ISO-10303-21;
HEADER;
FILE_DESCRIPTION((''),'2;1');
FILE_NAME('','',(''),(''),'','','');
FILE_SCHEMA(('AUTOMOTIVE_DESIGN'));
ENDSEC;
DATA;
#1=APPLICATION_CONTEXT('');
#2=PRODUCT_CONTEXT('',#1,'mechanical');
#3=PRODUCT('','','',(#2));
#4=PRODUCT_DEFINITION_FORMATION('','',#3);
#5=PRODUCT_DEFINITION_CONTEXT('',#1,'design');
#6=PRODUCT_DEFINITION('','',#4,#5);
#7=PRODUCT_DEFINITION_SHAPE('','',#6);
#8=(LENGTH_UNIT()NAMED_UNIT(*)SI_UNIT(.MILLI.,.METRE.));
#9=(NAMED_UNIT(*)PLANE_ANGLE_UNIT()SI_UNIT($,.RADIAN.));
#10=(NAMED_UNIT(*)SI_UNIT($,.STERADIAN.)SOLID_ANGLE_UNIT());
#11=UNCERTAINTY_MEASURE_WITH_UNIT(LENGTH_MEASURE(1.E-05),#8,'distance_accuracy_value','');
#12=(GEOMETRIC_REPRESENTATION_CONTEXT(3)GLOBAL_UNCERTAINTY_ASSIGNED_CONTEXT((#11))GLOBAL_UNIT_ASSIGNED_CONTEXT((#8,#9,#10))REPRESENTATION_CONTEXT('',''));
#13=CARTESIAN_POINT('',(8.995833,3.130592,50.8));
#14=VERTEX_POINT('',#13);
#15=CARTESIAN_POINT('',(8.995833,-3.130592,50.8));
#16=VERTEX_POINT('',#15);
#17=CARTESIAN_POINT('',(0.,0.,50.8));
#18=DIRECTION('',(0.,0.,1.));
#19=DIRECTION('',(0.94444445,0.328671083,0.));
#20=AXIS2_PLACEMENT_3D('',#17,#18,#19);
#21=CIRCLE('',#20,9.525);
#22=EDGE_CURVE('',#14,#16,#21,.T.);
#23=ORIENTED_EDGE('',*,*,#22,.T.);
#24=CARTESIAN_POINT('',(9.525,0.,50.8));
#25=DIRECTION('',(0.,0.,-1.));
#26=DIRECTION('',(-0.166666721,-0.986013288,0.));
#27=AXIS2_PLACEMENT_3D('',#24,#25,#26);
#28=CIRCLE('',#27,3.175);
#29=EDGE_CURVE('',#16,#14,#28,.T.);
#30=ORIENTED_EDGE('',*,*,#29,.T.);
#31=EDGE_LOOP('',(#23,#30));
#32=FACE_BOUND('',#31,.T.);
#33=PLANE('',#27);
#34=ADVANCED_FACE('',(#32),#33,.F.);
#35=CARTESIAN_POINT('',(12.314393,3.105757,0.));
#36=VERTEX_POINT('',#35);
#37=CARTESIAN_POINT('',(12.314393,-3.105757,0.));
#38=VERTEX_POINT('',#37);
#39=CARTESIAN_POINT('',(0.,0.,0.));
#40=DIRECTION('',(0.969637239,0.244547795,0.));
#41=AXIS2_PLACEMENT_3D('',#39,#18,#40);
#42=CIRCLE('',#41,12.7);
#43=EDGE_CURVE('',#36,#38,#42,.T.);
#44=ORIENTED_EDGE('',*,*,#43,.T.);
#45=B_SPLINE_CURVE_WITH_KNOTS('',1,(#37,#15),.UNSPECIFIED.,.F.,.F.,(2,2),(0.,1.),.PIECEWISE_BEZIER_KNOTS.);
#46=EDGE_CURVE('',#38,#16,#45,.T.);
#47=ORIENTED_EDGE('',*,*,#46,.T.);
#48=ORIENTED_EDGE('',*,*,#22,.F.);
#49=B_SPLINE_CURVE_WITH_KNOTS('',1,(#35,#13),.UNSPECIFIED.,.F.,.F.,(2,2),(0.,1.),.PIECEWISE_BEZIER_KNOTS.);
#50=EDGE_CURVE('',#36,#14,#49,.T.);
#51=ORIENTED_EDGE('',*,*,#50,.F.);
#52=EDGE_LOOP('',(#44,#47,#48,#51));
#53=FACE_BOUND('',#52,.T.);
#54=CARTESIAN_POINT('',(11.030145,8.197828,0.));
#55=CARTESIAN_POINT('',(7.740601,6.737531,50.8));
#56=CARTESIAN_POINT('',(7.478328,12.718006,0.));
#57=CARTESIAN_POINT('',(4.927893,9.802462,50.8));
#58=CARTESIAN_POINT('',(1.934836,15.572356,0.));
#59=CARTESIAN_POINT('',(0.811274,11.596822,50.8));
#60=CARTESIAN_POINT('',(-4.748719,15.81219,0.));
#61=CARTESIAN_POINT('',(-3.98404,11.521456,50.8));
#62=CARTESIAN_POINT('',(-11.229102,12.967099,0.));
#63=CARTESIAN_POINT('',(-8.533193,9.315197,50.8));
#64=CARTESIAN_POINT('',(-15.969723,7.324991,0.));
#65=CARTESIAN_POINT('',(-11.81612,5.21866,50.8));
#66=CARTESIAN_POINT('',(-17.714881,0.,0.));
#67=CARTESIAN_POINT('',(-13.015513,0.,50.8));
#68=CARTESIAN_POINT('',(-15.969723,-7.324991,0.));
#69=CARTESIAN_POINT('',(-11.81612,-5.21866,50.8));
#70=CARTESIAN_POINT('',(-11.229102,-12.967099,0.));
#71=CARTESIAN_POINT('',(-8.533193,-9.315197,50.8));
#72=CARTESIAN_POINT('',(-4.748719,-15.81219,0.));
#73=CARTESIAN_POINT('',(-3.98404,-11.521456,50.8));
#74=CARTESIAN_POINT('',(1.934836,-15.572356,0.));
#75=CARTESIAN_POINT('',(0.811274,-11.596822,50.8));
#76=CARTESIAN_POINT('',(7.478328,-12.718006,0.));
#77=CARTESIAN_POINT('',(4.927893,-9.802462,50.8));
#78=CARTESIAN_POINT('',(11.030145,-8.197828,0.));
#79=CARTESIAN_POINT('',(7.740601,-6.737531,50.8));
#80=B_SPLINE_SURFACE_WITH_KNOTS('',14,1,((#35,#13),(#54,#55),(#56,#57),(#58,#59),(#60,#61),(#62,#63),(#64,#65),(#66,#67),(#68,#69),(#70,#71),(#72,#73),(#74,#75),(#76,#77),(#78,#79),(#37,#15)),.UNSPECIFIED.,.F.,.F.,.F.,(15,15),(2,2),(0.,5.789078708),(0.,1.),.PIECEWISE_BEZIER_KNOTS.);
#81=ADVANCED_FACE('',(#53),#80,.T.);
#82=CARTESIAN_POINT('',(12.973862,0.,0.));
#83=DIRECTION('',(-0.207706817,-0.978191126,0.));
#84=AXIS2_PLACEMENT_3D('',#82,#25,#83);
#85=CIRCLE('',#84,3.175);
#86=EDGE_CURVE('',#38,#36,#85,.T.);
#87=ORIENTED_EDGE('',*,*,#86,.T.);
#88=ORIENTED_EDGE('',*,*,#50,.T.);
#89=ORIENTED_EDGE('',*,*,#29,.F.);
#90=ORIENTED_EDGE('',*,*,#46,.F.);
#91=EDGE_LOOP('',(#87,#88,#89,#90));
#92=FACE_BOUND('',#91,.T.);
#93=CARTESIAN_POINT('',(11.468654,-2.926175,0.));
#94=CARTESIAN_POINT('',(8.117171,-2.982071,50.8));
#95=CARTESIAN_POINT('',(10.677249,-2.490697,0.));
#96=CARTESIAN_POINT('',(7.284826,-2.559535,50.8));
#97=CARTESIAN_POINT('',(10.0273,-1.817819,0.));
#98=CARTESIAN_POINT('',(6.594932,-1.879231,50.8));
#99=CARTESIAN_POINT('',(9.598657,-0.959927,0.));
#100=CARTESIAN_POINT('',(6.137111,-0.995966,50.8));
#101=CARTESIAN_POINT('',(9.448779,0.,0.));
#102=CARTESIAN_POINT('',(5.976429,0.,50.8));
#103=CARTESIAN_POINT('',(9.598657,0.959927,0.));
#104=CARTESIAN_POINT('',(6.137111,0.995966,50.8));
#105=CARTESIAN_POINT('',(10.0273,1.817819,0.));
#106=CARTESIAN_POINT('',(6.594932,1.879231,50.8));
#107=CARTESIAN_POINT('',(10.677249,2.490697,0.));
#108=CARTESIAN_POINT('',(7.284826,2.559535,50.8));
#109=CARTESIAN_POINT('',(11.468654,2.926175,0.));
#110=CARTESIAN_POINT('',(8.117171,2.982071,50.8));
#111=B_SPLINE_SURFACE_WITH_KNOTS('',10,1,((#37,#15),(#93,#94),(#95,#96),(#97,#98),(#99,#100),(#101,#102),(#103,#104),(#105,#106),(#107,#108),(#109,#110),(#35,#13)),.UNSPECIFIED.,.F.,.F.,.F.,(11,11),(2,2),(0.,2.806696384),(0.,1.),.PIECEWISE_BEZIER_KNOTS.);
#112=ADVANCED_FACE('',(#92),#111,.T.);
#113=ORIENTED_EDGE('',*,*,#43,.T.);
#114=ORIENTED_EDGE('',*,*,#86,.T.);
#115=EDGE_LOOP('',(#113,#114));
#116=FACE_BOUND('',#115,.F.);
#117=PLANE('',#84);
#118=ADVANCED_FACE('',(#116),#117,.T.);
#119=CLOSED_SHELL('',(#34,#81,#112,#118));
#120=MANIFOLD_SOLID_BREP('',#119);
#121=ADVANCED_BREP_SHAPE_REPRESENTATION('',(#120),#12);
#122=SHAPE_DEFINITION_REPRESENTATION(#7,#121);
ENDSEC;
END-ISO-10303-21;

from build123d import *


with BuildPart() as f3:
    # F0 (on Top) → F3 section 0
    with BuildSketch(Plane.XY):
        with BuildLine():
            ThreePointArc((12.314393, -3.105757), (9.798862, 0), (12.314393, 3.105757))
            ThreePointArc((12.314393, 3.105757), (-12.7, 0), (12.314393, -3.105757))
        make_face()
    # F2 (on offset) → F3 section 1
    with BuildSketch(Plane.XY.offset(50.8)):
        with BuildLine():
            ThreePointArc((8.995833, -3.130592), (6.35, 0), (8.995833, 3.130592))
            ThreePointArc((8.995833, 3.130592), (-9.525, 0), (8.995833, -3.130592))
        make_face()
    loft()


solid = f3.part
